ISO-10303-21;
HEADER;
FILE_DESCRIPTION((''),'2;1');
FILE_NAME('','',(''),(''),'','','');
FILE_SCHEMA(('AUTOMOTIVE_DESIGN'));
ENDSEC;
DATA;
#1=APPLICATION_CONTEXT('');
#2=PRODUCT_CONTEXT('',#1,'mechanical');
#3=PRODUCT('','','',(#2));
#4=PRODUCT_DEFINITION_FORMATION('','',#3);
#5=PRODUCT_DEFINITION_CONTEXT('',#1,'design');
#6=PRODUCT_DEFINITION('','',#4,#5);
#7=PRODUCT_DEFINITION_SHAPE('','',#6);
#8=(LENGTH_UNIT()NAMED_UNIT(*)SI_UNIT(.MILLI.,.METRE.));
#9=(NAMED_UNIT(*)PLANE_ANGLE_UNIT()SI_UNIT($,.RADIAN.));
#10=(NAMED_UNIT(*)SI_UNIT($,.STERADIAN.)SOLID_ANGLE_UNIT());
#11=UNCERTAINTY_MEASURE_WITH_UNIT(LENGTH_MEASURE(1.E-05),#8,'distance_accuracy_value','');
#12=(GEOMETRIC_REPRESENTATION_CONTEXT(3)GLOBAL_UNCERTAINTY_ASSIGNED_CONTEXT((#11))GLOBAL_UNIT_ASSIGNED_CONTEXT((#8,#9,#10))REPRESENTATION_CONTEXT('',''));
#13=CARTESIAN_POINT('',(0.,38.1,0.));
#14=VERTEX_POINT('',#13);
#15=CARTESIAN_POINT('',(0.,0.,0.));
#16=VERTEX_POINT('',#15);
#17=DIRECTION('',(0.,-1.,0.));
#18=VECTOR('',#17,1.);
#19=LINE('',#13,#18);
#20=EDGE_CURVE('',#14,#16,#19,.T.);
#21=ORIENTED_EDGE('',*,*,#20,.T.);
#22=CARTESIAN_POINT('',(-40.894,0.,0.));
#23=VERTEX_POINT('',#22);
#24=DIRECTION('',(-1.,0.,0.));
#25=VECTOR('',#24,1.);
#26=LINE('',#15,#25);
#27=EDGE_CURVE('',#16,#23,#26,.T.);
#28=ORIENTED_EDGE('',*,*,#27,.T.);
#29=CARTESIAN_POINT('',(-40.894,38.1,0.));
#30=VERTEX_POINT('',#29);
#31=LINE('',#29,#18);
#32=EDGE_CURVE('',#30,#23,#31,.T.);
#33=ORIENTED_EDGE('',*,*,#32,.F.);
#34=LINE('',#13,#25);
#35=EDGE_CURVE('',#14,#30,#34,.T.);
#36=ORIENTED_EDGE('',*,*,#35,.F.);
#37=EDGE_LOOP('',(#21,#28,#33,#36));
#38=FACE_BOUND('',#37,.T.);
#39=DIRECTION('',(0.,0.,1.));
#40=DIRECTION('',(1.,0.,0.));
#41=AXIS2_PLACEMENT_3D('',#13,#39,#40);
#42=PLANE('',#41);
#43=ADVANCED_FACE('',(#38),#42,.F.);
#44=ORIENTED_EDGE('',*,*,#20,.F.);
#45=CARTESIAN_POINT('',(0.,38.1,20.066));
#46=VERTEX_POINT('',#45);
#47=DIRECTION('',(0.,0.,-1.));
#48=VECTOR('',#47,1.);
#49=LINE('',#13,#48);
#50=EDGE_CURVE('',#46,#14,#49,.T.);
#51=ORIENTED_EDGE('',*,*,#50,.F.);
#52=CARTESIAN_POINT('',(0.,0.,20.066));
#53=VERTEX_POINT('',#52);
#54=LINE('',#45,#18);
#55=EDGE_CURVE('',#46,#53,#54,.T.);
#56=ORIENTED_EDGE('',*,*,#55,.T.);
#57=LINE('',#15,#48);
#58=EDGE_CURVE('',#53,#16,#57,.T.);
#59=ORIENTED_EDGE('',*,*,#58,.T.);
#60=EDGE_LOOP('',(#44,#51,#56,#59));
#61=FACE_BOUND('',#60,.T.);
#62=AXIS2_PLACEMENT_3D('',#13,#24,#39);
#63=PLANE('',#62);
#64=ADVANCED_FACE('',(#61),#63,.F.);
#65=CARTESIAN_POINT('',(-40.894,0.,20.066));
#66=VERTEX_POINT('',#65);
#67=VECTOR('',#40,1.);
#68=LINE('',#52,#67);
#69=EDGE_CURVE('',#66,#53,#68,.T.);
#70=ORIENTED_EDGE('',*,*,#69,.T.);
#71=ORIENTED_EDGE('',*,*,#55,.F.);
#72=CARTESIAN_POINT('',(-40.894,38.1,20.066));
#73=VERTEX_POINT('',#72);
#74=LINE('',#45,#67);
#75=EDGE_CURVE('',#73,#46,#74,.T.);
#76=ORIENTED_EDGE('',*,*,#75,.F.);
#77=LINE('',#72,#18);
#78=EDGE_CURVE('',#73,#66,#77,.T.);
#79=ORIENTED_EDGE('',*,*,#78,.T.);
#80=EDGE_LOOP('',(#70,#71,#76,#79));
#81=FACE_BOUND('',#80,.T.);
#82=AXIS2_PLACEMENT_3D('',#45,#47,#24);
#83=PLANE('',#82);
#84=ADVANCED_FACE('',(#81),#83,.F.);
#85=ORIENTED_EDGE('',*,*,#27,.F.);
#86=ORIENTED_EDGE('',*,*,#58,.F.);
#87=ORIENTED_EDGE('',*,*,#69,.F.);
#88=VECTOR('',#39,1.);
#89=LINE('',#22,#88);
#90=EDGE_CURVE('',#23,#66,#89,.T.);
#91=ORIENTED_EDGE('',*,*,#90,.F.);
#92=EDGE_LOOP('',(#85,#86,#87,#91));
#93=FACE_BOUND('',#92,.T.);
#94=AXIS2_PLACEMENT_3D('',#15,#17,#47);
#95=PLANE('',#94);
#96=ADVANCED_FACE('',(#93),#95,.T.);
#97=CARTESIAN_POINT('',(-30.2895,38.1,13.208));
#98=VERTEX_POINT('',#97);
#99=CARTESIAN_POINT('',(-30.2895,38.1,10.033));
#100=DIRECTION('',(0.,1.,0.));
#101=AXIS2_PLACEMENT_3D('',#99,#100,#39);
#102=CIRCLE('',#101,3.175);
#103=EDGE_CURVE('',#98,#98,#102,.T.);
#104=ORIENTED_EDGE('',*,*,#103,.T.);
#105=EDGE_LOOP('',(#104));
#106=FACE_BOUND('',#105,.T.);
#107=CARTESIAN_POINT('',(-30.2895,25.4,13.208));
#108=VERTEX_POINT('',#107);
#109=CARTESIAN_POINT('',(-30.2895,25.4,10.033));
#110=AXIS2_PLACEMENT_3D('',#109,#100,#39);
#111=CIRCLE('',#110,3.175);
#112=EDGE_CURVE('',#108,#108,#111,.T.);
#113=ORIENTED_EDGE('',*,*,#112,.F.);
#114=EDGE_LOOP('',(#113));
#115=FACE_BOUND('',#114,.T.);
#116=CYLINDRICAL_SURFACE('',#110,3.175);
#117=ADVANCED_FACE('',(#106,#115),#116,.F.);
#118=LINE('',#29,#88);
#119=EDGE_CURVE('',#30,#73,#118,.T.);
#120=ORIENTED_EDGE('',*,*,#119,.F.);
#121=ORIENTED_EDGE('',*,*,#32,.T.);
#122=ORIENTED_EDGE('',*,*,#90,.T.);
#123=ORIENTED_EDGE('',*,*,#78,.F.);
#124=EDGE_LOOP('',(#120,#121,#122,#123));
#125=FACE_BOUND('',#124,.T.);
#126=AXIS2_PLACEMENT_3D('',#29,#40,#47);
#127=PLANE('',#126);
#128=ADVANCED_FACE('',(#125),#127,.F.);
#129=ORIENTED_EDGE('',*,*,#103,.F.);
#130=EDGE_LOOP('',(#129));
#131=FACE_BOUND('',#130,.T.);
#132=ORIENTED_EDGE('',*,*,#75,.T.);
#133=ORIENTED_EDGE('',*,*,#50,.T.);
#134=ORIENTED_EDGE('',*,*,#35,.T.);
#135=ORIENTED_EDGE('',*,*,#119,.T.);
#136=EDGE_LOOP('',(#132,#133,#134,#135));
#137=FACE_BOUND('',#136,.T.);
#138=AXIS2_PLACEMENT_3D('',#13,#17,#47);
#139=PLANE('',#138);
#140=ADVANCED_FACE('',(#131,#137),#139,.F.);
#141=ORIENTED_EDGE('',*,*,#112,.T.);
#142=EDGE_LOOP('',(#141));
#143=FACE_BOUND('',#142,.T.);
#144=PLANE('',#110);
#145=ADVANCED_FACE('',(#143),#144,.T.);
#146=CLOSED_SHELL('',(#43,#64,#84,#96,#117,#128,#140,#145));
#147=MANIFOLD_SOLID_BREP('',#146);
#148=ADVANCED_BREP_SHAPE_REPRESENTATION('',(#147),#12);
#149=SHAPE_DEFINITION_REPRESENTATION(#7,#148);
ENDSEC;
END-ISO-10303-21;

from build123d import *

# Parameters (mm, degrees)
SKETCH1_W           = 40.894
SKETCH1_H           = 20.066
BOSS_EXTRUDE1_DEPTH = 38.1
SKETCH2_R           = 3.175
CUT_EXTRUDE1_DEPTH  = 12.7


with BuildPart() as part:
    # Sketch1 → Boss-Extrude1 (new body)
    with BuildSketch(Plane(origin=(0, 0, 0), x_dir=(1, 0, 0), z_dir=(0, 1, 0))):
        with Locations((-20.447, -10.033)):
            Rectangle(SKETCH1_W, SKETCH1_H)
    extrude(amount=BOSS_EXTRUDE1_DEPTH)

    # Sketch2 → Cut-Extrude1 (cut)
    with BuildSketch(Plane(origin=(0, 38.1, 0), x_dir=(1, 0, 0), z_dir=(0, 1, 0))):
        with Locations(Location((-30.2895, -10.033, 0), (0, 0, 270))):
            Circle(SKETCH2_R)
    extrude(amount=-CUT_EXTRUDE1_DEPTH, mode=Mode.SUBTRACT)


solid = part.part
